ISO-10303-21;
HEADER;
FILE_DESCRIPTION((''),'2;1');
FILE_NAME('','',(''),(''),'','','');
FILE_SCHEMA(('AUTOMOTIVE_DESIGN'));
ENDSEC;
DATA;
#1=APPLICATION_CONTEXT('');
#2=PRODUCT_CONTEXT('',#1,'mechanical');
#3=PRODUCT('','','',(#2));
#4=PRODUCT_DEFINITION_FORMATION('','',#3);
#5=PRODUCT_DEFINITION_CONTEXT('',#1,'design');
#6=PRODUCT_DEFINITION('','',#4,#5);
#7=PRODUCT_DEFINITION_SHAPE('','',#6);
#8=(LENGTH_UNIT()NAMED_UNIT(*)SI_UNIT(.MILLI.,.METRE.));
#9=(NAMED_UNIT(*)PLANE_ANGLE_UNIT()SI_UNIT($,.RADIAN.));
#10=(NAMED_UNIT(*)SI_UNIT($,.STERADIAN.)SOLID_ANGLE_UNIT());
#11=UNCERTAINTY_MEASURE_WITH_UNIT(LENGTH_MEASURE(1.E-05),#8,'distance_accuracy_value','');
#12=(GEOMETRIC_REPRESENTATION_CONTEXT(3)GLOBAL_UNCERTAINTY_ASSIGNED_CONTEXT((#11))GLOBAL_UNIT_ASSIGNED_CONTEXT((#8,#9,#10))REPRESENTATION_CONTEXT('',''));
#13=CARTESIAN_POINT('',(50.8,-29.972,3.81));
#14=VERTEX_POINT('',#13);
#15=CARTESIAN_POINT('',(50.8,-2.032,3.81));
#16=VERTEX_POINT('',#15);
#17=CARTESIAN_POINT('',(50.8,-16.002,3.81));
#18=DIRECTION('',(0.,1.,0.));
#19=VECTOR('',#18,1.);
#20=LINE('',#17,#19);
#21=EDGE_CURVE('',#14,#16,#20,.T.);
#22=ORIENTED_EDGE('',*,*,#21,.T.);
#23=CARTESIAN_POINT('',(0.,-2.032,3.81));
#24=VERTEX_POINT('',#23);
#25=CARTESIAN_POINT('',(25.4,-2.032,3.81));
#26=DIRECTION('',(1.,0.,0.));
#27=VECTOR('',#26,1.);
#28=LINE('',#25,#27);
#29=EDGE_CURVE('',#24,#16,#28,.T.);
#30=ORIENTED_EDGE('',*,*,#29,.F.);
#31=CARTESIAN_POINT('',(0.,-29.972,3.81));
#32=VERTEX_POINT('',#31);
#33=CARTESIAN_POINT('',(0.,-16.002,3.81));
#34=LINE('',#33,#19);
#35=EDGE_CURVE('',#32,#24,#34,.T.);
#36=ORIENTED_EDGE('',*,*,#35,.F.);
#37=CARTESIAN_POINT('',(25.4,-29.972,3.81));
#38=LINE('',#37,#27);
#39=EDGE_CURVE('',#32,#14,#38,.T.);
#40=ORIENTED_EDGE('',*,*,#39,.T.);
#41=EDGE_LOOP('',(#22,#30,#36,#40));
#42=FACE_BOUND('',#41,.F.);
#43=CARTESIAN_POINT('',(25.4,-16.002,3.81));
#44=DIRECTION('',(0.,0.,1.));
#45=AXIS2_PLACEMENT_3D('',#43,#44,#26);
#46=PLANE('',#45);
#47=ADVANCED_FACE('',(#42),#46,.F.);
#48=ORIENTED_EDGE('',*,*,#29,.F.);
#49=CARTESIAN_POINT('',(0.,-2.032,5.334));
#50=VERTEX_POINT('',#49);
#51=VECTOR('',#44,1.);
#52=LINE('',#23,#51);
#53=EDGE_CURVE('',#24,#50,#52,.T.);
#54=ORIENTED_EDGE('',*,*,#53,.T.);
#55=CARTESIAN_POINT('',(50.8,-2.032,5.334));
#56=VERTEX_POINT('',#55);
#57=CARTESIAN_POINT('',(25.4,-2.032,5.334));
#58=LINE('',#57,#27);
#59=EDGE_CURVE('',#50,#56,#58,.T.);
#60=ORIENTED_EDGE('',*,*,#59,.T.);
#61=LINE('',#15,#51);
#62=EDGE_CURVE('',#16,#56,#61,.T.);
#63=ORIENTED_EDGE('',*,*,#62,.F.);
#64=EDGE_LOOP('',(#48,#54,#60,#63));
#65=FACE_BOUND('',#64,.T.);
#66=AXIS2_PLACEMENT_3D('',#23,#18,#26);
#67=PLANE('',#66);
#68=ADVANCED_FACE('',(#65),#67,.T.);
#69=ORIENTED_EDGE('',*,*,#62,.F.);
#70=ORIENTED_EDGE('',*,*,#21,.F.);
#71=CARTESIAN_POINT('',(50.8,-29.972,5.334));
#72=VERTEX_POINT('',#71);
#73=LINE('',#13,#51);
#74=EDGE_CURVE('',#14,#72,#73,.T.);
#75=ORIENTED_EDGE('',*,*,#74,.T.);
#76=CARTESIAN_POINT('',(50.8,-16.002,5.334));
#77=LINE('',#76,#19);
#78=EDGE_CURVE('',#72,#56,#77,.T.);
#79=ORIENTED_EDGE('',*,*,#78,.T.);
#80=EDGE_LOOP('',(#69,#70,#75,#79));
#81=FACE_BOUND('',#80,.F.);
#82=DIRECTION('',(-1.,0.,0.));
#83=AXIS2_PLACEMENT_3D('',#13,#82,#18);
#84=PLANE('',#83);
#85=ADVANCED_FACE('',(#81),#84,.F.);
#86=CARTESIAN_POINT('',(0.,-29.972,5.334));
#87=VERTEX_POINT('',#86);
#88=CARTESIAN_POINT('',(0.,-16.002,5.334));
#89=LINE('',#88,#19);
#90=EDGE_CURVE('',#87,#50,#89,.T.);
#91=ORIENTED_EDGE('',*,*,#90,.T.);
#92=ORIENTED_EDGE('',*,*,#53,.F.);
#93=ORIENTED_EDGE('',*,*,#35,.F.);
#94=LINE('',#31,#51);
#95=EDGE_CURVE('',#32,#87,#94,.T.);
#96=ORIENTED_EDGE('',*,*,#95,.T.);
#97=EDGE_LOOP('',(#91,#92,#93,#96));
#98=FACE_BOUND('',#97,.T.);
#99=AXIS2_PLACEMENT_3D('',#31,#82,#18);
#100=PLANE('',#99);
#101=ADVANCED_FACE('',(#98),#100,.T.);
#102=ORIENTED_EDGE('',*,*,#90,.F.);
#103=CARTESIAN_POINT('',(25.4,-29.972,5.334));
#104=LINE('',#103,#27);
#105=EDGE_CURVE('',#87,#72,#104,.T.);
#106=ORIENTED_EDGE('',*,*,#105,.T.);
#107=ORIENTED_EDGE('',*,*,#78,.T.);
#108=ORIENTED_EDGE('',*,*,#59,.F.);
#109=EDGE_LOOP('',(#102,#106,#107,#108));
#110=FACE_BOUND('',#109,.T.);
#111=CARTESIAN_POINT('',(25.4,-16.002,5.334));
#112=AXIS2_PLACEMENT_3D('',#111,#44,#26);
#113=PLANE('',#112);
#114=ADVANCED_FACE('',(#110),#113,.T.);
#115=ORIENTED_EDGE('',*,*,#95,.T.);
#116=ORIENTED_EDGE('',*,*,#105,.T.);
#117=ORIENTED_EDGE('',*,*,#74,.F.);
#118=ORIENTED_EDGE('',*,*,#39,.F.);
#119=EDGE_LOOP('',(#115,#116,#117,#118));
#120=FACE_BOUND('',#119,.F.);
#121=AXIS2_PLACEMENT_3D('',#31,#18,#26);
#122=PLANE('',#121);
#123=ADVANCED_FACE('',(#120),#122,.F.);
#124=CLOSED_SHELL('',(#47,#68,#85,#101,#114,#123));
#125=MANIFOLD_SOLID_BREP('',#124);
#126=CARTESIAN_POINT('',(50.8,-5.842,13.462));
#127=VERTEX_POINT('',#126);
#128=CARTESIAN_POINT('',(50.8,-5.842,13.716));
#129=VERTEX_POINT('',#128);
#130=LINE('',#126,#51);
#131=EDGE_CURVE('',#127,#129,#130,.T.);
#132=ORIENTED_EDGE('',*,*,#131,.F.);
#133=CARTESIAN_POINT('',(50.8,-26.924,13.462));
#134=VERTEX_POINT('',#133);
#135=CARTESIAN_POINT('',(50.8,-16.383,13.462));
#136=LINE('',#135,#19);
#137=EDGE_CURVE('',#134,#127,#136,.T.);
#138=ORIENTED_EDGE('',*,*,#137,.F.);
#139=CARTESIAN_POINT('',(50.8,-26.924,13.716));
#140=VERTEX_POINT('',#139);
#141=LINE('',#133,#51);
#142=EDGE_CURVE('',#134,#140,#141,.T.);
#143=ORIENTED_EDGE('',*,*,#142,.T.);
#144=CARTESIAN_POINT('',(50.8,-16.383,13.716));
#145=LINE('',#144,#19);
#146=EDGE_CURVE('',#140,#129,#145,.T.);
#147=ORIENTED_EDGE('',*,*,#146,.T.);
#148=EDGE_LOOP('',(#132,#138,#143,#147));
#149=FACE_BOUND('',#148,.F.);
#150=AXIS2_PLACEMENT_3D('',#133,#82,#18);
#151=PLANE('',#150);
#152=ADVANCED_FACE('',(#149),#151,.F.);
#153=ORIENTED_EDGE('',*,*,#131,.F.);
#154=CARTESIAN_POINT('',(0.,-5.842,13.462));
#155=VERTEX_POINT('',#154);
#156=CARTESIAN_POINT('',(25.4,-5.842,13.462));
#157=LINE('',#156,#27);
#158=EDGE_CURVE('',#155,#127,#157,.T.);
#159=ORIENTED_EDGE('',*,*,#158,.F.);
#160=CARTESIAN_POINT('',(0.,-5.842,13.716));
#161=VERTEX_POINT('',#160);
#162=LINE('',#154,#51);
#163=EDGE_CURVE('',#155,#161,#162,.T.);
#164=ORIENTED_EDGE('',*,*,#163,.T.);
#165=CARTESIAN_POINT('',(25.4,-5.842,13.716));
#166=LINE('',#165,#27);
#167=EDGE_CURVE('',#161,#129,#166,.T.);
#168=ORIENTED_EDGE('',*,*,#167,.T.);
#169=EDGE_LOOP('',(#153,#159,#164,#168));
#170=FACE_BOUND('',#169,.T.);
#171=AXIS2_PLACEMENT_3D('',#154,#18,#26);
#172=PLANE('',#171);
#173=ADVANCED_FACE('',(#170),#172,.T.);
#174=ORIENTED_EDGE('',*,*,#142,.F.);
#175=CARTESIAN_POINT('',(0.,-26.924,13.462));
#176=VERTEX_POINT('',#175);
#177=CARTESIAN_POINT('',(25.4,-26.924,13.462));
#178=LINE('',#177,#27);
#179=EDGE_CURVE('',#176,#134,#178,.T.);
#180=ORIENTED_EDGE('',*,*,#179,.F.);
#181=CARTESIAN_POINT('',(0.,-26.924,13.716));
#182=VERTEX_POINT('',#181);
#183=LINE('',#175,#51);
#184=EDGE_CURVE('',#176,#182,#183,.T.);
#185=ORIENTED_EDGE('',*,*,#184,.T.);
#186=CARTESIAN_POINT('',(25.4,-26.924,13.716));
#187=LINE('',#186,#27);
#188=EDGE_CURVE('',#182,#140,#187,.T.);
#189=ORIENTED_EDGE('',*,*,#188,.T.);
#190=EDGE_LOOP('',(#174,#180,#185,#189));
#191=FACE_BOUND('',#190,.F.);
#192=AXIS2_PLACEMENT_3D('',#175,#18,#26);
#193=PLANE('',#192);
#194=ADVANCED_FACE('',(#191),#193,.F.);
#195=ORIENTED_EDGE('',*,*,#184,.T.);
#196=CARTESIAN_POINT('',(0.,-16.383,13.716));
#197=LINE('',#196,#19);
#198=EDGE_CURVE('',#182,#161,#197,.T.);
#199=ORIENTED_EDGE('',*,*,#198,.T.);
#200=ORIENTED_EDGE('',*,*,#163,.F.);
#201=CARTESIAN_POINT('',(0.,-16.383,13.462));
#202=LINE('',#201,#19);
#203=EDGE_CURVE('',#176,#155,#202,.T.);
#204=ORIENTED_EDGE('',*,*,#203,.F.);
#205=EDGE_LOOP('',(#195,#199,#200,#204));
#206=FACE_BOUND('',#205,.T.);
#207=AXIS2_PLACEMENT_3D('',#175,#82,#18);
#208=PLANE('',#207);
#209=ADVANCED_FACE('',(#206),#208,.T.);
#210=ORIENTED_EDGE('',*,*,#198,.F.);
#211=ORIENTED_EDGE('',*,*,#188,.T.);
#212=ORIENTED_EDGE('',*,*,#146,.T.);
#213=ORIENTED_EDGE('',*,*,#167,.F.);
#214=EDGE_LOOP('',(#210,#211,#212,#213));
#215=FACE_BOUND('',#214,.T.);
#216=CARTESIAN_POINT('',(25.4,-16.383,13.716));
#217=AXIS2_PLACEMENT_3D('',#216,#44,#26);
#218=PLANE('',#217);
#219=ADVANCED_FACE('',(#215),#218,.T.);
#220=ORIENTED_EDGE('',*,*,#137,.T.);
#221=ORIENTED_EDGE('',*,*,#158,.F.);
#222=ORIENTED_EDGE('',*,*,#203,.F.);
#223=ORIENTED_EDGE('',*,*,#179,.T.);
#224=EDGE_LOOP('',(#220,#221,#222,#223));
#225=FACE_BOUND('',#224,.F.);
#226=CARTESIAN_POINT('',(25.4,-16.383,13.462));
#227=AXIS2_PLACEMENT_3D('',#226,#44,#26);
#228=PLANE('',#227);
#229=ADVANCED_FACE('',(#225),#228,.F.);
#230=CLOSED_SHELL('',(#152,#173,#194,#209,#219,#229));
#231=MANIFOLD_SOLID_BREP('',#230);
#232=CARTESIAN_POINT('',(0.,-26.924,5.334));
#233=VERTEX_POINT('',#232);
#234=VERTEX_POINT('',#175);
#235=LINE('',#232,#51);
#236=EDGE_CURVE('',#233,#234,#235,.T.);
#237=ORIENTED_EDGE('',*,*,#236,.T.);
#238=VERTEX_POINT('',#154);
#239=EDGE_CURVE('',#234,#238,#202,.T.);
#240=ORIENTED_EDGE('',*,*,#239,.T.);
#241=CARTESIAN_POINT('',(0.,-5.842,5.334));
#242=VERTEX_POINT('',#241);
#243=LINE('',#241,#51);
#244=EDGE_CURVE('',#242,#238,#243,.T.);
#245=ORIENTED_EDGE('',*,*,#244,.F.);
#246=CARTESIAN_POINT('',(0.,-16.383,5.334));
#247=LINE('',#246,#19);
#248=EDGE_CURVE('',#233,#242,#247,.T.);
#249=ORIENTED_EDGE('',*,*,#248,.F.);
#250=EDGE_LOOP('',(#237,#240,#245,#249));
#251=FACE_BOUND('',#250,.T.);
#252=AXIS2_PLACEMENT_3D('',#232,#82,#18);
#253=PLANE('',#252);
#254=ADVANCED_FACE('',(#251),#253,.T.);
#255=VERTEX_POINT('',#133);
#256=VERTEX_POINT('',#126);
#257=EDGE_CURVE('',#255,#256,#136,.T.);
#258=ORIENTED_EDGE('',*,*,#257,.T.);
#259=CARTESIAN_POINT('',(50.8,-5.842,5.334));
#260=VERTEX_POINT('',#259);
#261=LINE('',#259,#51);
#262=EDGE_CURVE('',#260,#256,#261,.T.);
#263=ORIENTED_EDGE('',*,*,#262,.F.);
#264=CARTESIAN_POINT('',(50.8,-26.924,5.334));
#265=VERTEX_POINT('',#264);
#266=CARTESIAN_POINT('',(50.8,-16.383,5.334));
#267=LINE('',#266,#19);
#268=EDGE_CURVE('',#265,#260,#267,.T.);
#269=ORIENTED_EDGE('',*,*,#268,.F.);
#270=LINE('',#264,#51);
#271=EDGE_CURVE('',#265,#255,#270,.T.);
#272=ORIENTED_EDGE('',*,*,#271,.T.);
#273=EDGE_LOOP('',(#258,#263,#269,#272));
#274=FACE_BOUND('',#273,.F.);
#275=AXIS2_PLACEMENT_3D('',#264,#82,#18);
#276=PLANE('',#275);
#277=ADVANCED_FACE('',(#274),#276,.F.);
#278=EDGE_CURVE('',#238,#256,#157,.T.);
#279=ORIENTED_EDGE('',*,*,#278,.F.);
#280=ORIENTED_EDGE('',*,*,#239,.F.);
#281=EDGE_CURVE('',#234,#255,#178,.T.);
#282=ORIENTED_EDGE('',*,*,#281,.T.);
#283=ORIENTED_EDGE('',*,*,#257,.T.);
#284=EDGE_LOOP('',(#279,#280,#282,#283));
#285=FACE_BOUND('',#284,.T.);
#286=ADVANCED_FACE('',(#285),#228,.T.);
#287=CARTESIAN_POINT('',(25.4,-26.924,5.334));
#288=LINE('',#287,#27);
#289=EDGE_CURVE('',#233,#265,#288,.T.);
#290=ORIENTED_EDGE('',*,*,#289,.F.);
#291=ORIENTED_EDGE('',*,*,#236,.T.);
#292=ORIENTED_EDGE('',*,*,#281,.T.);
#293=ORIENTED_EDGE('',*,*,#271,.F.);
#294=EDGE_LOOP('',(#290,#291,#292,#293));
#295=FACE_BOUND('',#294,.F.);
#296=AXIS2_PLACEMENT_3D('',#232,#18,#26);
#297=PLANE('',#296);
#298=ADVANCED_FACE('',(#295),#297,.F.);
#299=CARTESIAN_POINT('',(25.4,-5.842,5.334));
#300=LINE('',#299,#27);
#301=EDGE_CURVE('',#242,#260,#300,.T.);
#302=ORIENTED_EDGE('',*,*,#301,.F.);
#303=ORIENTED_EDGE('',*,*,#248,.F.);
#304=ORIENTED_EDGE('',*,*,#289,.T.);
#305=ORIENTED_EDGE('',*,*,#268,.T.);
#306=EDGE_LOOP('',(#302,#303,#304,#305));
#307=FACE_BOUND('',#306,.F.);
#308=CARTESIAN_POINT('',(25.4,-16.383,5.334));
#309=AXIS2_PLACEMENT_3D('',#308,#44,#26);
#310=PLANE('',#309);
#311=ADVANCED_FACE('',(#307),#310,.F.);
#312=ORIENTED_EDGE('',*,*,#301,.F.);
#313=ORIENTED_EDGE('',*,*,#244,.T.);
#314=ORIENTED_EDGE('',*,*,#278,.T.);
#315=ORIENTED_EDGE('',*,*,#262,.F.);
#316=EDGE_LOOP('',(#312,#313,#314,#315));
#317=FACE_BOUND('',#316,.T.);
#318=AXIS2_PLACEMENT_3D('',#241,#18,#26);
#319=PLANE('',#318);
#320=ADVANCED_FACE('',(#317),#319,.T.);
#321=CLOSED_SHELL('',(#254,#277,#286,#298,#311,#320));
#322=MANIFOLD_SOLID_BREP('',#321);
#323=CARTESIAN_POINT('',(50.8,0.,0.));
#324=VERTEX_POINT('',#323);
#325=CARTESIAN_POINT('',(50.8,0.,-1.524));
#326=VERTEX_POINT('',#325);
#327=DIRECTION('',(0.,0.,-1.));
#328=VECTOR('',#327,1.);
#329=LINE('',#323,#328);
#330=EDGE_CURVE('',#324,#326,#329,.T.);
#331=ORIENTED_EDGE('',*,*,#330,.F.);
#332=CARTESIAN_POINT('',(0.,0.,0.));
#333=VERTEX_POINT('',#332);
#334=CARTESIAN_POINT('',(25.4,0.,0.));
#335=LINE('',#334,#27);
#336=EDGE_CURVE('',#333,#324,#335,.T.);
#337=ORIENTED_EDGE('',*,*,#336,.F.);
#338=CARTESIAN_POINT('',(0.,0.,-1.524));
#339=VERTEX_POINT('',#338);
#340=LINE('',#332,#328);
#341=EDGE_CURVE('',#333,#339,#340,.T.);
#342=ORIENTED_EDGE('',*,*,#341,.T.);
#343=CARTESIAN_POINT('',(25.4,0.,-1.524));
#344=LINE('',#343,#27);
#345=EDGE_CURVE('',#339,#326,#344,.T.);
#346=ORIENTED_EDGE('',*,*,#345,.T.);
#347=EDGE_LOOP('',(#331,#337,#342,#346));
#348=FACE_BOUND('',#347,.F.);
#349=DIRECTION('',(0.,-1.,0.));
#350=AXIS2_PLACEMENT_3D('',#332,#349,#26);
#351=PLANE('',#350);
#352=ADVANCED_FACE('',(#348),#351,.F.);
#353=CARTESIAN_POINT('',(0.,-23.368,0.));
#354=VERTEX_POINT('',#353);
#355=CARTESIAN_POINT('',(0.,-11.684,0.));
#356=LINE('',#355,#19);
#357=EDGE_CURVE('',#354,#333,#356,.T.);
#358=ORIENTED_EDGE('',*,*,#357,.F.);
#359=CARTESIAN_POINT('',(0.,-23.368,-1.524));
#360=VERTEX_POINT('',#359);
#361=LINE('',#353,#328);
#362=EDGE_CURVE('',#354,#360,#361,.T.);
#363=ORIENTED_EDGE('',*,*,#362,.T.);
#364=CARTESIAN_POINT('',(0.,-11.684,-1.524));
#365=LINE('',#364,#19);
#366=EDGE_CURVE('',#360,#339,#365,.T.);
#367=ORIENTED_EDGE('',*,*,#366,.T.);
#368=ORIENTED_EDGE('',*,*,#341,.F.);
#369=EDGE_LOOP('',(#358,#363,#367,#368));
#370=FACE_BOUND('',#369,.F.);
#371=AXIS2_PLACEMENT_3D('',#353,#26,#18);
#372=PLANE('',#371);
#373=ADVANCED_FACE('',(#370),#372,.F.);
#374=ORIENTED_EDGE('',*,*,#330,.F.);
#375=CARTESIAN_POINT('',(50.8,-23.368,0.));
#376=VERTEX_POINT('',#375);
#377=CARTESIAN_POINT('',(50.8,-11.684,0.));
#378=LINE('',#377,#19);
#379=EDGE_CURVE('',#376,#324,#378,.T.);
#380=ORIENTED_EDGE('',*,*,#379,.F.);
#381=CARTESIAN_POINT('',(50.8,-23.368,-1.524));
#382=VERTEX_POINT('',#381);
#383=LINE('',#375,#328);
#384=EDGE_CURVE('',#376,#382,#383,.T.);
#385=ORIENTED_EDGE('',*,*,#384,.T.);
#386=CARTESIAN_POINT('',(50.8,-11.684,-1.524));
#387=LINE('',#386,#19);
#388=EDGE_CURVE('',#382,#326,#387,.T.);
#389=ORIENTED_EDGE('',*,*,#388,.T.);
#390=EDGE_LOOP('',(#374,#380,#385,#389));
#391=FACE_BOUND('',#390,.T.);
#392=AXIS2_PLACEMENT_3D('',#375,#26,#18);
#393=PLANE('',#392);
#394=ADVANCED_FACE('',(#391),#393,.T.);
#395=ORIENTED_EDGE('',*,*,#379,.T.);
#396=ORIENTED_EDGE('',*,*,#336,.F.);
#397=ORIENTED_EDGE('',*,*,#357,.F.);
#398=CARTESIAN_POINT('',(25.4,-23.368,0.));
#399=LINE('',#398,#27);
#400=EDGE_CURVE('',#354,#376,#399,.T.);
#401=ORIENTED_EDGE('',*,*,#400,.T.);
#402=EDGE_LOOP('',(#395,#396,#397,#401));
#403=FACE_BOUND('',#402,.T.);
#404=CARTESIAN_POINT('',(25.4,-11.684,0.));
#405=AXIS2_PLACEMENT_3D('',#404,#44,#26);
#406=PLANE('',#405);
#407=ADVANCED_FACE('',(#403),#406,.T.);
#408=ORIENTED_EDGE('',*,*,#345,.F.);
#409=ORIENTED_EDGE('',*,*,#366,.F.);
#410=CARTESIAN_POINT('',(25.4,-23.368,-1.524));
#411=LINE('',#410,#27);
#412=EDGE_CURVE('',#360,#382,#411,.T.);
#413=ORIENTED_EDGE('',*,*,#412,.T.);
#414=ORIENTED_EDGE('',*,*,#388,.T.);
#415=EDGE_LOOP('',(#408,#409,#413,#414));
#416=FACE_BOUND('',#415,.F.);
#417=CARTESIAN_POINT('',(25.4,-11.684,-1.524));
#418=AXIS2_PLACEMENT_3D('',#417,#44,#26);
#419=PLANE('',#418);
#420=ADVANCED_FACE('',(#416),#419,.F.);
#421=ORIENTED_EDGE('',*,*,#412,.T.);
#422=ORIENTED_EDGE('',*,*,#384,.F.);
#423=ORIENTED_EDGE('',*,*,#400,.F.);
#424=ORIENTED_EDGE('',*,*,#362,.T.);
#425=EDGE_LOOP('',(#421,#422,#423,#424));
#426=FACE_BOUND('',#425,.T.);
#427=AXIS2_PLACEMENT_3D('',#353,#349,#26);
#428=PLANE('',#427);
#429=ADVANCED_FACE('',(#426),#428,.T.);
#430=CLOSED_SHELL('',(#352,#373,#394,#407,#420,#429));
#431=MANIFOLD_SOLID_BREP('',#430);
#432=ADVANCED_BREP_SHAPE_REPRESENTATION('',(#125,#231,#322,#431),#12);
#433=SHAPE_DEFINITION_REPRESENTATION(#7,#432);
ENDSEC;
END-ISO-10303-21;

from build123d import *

# Parameters (mm, degrees)
F0_W     = 50.8
F0_H     = 23.368
F1_DEPTH = 1.524
F3_W     = 50.8
F3_H     = 27.94
F4_DEPTH = 1.524
F6_W     = 50.8
F6_H     = 21.082
F7_DEPTH = 8.128
F8_W     = 50.8
F8_H     = 21.082
F9_DEPTH = 0.254


with BuildPart() as f1:
    # F0 (on Top) → F1 (new body)
    with BuildSketch(Plane.XY):
        with Locations((25.4, -11.684)):
            Rectangle(F0_W, F0_H)
    extrude(amount=-F1_DEPTH)


with BuildPart() as f4:
    # F3 (on offset) → F4 (new body)
    with BuildSketch(Plane.XY.offset(3.81)):
        with Locations((25.4, -16.002)):
            Rectangle(F3_W, F3_H)
    extrude(amount=F4_DEPTH)


with BuildPart() as f7:
    # F6 (on offset) → F7 (new body)
    with BuildSketch(Plane.XY.offset(5.334)):
        with Locations((25.4, -16.383)):
            Rectangle(F6_W, F6_H)
    extrude(amount=F7_DEPTH)


with BuildPart() as f9:
    # F8 (on face) → F9 (new body)
    with BuildSketch(Plane.XY.offset(13.462)):
        with Locations((25.4, -16.383)):
            Rectangle(F8_W, F8_H)
    extrude(amount=F9_DEPTH)


solid = Compound([f1.part, f4.part, f7.part, f9.part])
